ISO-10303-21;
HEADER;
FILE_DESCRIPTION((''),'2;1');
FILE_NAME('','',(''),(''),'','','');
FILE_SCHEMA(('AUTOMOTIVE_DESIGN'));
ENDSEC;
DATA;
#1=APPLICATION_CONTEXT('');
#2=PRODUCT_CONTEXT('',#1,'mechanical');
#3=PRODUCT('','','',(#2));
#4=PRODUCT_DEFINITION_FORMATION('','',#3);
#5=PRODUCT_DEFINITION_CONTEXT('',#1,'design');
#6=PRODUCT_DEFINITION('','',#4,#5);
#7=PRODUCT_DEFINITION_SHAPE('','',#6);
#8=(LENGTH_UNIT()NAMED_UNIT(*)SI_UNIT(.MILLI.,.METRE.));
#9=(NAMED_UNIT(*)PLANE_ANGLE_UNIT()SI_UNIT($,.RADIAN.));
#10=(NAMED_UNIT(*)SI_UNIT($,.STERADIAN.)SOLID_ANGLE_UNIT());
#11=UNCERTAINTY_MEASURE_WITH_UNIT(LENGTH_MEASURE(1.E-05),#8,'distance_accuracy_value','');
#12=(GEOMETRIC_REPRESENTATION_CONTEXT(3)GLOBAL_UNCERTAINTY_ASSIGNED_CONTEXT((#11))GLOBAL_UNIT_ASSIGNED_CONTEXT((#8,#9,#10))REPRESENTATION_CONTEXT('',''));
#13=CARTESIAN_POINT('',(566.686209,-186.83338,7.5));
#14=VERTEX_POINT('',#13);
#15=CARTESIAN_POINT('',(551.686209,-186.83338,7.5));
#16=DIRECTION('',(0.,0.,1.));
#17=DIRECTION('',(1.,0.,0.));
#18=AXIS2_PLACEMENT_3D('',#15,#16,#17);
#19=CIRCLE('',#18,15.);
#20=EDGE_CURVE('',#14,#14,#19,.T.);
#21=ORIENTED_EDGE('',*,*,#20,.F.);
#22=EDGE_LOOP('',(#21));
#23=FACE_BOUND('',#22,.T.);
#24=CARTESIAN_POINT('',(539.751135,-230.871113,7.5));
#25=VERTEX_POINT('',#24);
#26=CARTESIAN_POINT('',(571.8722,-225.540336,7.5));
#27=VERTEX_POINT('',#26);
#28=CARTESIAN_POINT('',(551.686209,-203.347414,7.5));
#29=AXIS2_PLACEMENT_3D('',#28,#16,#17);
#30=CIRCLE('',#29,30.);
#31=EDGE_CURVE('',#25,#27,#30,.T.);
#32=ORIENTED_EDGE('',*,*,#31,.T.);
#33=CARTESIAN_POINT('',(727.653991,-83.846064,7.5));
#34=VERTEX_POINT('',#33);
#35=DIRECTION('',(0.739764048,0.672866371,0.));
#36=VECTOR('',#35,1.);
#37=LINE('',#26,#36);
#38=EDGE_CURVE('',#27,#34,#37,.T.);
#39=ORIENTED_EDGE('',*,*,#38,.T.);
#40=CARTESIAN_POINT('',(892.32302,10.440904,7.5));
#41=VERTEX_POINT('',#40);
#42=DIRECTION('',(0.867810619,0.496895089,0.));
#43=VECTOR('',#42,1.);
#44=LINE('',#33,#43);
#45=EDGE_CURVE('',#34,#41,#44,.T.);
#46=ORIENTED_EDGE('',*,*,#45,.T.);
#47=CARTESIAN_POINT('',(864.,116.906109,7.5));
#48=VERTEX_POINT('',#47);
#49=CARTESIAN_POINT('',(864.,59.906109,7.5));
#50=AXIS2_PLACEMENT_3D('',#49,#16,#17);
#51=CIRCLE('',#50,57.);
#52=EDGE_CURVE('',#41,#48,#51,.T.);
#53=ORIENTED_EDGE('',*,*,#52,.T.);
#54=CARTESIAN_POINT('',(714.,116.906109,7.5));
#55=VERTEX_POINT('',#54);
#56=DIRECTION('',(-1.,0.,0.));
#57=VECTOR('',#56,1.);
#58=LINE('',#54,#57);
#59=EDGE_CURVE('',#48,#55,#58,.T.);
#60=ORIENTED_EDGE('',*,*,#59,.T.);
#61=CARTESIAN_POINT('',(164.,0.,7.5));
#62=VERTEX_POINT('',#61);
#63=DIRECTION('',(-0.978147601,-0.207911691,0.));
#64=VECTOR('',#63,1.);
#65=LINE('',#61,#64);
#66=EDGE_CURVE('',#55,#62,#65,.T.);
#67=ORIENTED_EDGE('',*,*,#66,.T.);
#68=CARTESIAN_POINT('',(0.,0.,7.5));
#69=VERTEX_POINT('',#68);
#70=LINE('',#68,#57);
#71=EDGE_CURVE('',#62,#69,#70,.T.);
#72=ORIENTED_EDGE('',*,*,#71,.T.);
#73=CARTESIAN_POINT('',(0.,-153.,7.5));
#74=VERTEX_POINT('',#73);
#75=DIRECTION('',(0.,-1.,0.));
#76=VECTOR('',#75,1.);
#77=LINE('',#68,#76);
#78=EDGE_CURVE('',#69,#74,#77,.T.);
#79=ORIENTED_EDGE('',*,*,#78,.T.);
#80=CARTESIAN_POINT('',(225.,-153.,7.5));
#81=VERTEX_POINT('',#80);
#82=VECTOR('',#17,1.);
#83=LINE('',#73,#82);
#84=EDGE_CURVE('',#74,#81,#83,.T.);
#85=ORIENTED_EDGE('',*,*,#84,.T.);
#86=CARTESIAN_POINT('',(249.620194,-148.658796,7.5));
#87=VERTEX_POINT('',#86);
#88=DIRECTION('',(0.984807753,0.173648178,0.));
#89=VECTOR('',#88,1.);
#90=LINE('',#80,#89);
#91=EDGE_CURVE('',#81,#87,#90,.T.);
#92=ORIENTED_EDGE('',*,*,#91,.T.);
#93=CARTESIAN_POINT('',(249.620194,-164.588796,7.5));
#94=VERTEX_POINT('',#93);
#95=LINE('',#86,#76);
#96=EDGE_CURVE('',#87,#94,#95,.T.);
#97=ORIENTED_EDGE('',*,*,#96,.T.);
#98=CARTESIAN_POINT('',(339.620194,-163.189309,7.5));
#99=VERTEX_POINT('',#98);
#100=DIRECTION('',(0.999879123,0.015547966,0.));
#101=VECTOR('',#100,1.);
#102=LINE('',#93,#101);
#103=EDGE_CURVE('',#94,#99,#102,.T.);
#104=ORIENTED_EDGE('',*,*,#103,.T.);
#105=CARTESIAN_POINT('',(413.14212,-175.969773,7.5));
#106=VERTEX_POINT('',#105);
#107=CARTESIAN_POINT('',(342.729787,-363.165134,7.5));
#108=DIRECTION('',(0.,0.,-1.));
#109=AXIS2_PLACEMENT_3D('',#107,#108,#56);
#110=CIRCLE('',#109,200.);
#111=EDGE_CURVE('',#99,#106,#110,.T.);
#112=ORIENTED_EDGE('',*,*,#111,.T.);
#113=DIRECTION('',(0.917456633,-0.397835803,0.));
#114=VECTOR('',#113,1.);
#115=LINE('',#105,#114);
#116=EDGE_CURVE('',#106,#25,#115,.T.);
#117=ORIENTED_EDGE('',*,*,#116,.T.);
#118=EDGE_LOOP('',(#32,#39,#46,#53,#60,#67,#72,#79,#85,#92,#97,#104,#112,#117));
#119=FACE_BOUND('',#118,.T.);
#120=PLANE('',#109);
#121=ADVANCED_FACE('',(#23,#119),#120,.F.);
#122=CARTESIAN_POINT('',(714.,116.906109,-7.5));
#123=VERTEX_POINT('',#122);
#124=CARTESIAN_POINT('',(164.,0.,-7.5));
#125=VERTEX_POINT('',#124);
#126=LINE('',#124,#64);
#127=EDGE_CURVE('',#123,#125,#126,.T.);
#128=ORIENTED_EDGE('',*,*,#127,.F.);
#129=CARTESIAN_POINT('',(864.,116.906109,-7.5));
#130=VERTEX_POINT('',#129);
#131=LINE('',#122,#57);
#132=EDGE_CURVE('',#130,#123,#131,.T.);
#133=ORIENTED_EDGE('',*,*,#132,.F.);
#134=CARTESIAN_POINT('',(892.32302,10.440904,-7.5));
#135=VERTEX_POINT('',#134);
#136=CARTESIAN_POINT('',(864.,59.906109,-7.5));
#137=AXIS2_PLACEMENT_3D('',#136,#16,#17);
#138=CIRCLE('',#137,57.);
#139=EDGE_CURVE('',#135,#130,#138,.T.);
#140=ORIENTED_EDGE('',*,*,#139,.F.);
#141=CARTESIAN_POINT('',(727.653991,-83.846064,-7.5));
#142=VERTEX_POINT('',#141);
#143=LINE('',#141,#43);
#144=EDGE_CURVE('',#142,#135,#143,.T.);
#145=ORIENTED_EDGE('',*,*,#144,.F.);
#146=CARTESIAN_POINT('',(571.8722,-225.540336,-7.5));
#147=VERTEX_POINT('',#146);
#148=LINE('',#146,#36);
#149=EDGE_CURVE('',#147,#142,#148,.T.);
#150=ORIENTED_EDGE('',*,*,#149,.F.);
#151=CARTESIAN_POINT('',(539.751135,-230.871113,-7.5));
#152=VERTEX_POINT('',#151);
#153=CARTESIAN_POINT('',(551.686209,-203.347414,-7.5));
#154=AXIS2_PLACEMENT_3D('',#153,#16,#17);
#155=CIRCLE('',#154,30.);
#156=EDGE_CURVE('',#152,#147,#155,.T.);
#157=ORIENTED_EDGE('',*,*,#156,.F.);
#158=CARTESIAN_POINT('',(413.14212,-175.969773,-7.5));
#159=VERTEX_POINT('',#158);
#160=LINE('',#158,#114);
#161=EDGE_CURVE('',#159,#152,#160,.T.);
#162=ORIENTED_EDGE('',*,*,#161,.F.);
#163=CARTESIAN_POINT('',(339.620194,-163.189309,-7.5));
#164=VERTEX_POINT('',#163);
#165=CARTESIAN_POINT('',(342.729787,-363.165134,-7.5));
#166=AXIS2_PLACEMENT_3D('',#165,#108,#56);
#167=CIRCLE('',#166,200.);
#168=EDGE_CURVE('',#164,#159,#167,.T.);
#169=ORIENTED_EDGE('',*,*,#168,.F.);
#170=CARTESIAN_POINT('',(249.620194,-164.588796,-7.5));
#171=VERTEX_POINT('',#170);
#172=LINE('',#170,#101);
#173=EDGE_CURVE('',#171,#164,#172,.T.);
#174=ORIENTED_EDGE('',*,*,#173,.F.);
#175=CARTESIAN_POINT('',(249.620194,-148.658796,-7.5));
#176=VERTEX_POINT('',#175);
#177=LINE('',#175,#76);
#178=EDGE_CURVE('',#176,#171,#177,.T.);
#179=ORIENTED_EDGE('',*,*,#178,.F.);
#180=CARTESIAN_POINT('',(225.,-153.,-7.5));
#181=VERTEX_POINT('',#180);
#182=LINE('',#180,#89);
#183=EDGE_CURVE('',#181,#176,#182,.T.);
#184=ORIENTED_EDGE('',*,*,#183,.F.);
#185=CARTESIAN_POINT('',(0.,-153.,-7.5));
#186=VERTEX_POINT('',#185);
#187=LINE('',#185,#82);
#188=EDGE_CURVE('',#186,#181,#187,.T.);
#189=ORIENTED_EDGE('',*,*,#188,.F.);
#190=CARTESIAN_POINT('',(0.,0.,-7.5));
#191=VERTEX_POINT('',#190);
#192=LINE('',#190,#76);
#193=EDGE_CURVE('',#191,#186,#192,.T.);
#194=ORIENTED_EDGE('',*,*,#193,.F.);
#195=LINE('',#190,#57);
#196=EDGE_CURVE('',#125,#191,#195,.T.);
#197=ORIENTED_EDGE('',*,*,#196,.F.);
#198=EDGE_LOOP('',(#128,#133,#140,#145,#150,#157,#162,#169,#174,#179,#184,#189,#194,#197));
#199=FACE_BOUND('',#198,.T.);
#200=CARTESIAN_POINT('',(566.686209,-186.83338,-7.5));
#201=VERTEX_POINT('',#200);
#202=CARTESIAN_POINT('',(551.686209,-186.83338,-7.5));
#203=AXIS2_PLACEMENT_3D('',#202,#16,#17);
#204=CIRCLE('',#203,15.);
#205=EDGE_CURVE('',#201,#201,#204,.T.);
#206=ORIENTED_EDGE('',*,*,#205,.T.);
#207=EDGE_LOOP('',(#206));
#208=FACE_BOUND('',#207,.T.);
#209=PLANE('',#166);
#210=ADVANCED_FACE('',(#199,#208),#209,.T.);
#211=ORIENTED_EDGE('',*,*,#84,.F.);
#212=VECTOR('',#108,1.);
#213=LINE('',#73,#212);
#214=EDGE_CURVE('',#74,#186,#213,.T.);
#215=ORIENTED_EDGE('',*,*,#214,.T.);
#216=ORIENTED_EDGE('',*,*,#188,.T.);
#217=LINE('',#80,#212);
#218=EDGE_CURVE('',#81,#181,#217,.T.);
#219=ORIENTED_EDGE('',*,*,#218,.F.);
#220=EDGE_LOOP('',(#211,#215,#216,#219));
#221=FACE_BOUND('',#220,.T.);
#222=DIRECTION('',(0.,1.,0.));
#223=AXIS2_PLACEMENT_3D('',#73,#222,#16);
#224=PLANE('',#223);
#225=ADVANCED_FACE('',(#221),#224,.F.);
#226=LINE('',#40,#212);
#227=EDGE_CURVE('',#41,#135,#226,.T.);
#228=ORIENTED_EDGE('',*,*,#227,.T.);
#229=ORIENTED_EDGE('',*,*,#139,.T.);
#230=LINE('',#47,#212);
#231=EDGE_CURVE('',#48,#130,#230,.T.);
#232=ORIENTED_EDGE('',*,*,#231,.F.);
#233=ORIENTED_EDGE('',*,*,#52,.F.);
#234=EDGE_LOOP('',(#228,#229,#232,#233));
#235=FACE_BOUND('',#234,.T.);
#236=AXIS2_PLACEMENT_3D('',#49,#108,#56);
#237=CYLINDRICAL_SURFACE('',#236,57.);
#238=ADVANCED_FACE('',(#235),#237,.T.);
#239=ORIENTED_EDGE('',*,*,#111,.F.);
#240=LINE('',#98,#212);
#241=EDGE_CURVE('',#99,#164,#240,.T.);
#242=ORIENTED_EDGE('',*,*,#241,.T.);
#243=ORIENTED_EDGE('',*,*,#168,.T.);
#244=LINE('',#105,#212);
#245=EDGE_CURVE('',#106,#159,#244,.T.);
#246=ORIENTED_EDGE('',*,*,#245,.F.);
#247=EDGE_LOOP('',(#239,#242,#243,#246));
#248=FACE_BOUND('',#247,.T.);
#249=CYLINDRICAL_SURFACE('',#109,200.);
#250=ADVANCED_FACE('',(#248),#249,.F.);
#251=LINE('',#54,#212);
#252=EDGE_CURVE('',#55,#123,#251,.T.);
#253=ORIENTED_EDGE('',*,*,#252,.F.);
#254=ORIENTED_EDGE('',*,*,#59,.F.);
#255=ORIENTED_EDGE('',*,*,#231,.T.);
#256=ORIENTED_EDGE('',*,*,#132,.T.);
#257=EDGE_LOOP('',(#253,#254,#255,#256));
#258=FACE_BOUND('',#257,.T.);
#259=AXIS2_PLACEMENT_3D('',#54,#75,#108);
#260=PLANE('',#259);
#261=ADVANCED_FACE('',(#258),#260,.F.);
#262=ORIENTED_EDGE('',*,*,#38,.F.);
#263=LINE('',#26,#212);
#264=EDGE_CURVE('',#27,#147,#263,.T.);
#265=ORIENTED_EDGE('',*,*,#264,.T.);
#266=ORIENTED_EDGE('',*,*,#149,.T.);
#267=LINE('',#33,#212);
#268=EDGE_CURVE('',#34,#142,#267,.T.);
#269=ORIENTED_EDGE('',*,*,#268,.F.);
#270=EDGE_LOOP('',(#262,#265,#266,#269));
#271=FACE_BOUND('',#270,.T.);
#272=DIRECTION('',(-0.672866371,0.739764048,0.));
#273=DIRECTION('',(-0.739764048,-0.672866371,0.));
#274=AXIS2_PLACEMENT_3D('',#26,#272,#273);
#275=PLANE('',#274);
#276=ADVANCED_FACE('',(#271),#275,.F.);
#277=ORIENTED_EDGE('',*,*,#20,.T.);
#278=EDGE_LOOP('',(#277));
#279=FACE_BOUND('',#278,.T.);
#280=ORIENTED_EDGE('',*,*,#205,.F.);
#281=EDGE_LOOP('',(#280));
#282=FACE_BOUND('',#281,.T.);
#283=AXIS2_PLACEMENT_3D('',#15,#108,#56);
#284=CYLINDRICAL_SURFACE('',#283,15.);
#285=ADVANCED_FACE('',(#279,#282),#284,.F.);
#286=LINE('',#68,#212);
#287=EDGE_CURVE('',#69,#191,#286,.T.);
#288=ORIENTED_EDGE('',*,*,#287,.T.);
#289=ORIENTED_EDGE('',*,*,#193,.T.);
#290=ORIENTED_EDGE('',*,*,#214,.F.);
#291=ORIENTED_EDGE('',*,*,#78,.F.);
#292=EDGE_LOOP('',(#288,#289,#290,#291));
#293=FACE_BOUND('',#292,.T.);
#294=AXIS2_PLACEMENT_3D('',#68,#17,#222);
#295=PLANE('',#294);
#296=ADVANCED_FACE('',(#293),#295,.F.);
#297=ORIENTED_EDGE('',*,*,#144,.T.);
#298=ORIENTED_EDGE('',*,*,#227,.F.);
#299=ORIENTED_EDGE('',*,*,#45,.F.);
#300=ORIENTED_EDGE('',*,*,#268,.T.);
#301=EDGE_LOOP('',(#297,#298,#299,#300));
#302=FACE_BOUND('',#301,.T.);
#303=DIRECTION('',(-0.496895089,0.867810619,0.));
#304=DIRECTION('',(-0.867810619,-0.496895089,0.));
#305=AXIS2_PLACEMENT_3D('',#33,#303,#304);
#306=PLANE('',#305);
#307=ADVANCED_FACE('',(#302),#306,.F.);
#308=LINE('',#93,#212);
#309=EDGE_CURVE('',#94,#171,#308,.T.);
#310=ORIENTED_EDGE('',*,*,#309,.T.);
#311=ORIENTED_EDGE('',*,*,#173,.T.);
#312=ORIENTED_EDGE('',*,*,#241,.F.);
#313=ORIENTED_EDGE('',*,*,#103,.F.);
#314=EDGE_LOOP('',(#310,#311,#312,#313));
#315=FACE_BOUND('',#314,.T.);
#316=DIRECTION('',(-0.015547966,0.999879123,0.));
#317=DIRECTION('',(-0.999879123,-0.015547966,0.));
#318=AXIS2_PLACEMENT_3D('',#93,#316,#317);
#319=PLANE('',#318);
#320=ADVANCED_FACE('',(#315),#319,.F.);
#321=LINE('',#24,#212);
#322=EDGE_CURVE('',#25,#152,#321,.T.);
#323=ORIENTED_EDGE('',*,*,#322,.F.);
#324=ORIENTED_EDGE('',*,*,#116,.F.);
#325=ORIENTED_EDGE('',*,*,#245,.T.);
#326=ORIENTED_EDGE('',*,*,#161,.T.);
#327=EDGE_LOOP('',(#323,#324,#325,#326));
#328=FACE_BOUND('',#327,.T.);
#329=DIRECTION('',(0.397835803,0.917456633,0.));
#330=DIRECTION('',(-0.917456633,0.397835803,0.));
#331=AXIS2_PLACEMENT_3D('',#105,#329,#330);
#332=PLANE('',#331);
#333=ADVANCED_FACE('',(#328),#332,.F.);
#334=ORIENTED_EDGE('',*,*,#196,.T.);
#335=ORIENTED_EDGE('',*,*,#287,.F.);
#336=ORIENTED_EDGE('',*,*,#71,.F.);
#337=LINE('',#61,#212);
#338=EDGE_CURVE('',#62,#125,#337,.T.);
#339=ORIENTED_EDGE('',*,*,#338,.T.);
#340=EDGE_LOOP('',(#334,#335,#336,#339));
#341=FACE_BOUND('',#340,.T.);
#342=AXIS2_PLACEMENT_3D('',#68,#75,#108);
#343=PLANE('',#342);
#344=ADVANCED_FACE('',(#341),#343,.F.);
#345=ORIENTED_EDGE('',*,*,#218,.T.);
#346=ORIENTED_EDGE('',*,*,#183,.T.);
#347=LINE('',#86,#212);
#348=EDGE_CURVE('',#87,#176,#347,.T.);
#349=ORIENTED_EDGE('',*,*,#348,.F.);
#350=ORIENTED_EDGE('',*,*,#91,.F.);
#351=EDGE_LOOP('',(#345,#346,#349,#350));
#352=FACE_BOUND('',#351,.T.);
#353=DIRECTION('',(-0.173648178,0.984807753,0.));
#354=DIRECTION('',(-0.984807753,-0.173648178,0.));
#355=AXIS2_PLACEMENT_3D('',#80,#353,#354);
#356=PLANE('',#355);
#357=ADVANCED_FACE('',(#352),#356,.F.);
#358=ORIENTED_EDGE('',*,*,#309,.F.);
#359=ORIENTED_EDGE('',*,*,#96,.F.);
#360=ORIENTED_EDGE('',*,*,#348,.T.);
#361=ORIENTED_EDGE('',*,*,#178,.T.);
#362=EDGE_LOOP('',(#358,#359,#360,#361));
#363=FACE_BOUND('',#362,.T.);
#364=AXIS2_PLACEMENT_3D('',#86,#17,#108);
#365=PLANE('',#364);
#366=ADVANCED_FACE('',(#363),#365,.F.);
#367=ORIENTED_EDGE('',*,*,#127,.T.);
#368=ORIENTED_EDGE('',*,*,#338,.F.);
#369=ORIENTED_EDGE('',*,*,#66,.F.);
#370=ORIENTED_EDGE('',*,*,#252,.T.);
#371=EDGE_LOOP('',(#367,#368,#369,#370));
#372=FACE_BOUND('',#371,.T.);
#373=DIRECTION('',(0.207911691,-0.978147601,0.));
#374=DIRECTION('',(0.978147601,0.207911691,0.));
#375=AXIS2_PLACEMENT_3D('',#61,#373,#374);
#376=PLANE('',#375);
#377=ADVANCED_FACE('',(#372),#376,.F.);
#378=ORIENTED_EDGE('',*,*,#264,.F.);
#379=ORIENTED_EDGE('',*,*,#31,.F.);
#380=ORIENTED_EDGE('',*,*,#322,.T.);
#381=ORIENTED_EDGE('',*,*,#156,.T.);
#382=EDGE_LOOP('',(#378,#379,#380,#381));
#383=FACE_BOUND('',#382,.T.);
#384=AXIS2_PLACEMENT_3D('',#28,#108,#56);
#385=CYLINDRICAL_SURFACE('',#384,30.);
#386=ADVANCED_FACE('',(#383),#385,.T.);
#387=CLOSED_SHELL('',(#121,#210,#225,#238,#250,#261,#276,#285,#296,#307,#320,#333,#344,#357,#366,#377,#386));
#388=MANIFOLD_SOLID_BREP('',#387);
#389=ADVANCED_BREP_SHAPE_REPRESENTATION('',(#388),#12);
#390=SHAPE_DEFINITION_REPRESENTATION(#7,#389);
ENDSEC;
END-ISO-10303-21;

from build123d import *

# Parameters (mm, degrees)
SKETCH2_R           = 15
BOSS_EXTRUDE1_DEPTH = 7.5


with BuildPart() as part:
    # Sketch2 → Boss-Extrude1 (new body, symmetric)
    with BuildSketch(Plane.XY):
        with BuildLine():
            Line((0, 0), (164, 0))
            Line((164, 0), (714, 116.906108919))
            Line((714, 116.906108919), (864, 116.906108919))
            ThreePointArc((864, 116.906108919), (919.084102522, 74.560174885), (892.323020072, 10.440903632))
            Line((892.323020072, 10.440903632), (727.653990867, -83.846064196))
            Line((727.653990867, -83.846064196), (571.872200418, -225.540335787))
            ThreePointArc((571.872200418, -225.540335787), (556.597798177, -232.94262163), (539.751135216, -230.87111334))
            Line((539.751135216, -230.87111334), (413.142119809, -175.969772575))
            ThreePointArc((413.142119809, -175.969772575), (376.982520463, -166.120087872), (339.620193825, -163.189309492))
            Line((339.620193825, -163.189309492), (249.620193825, -164.588795558))
            Line((249.620193825, -164.588795558), (249.620193825, -148.658795558))
            Line((249.620193825, -148.658795558), (225, -153))
            Line((225, -153), (0, -153))
            Line((0, -153), (0, 0))
        make_face()
        with Locations((551.686209295, -186.833379926)):
            Circle(SKETCH2_R, mode=Mode.SUBTRACT)
    extrude(amount=BOSS_EXTRUDE1_DEPTH, both=True)


solid = part.part
